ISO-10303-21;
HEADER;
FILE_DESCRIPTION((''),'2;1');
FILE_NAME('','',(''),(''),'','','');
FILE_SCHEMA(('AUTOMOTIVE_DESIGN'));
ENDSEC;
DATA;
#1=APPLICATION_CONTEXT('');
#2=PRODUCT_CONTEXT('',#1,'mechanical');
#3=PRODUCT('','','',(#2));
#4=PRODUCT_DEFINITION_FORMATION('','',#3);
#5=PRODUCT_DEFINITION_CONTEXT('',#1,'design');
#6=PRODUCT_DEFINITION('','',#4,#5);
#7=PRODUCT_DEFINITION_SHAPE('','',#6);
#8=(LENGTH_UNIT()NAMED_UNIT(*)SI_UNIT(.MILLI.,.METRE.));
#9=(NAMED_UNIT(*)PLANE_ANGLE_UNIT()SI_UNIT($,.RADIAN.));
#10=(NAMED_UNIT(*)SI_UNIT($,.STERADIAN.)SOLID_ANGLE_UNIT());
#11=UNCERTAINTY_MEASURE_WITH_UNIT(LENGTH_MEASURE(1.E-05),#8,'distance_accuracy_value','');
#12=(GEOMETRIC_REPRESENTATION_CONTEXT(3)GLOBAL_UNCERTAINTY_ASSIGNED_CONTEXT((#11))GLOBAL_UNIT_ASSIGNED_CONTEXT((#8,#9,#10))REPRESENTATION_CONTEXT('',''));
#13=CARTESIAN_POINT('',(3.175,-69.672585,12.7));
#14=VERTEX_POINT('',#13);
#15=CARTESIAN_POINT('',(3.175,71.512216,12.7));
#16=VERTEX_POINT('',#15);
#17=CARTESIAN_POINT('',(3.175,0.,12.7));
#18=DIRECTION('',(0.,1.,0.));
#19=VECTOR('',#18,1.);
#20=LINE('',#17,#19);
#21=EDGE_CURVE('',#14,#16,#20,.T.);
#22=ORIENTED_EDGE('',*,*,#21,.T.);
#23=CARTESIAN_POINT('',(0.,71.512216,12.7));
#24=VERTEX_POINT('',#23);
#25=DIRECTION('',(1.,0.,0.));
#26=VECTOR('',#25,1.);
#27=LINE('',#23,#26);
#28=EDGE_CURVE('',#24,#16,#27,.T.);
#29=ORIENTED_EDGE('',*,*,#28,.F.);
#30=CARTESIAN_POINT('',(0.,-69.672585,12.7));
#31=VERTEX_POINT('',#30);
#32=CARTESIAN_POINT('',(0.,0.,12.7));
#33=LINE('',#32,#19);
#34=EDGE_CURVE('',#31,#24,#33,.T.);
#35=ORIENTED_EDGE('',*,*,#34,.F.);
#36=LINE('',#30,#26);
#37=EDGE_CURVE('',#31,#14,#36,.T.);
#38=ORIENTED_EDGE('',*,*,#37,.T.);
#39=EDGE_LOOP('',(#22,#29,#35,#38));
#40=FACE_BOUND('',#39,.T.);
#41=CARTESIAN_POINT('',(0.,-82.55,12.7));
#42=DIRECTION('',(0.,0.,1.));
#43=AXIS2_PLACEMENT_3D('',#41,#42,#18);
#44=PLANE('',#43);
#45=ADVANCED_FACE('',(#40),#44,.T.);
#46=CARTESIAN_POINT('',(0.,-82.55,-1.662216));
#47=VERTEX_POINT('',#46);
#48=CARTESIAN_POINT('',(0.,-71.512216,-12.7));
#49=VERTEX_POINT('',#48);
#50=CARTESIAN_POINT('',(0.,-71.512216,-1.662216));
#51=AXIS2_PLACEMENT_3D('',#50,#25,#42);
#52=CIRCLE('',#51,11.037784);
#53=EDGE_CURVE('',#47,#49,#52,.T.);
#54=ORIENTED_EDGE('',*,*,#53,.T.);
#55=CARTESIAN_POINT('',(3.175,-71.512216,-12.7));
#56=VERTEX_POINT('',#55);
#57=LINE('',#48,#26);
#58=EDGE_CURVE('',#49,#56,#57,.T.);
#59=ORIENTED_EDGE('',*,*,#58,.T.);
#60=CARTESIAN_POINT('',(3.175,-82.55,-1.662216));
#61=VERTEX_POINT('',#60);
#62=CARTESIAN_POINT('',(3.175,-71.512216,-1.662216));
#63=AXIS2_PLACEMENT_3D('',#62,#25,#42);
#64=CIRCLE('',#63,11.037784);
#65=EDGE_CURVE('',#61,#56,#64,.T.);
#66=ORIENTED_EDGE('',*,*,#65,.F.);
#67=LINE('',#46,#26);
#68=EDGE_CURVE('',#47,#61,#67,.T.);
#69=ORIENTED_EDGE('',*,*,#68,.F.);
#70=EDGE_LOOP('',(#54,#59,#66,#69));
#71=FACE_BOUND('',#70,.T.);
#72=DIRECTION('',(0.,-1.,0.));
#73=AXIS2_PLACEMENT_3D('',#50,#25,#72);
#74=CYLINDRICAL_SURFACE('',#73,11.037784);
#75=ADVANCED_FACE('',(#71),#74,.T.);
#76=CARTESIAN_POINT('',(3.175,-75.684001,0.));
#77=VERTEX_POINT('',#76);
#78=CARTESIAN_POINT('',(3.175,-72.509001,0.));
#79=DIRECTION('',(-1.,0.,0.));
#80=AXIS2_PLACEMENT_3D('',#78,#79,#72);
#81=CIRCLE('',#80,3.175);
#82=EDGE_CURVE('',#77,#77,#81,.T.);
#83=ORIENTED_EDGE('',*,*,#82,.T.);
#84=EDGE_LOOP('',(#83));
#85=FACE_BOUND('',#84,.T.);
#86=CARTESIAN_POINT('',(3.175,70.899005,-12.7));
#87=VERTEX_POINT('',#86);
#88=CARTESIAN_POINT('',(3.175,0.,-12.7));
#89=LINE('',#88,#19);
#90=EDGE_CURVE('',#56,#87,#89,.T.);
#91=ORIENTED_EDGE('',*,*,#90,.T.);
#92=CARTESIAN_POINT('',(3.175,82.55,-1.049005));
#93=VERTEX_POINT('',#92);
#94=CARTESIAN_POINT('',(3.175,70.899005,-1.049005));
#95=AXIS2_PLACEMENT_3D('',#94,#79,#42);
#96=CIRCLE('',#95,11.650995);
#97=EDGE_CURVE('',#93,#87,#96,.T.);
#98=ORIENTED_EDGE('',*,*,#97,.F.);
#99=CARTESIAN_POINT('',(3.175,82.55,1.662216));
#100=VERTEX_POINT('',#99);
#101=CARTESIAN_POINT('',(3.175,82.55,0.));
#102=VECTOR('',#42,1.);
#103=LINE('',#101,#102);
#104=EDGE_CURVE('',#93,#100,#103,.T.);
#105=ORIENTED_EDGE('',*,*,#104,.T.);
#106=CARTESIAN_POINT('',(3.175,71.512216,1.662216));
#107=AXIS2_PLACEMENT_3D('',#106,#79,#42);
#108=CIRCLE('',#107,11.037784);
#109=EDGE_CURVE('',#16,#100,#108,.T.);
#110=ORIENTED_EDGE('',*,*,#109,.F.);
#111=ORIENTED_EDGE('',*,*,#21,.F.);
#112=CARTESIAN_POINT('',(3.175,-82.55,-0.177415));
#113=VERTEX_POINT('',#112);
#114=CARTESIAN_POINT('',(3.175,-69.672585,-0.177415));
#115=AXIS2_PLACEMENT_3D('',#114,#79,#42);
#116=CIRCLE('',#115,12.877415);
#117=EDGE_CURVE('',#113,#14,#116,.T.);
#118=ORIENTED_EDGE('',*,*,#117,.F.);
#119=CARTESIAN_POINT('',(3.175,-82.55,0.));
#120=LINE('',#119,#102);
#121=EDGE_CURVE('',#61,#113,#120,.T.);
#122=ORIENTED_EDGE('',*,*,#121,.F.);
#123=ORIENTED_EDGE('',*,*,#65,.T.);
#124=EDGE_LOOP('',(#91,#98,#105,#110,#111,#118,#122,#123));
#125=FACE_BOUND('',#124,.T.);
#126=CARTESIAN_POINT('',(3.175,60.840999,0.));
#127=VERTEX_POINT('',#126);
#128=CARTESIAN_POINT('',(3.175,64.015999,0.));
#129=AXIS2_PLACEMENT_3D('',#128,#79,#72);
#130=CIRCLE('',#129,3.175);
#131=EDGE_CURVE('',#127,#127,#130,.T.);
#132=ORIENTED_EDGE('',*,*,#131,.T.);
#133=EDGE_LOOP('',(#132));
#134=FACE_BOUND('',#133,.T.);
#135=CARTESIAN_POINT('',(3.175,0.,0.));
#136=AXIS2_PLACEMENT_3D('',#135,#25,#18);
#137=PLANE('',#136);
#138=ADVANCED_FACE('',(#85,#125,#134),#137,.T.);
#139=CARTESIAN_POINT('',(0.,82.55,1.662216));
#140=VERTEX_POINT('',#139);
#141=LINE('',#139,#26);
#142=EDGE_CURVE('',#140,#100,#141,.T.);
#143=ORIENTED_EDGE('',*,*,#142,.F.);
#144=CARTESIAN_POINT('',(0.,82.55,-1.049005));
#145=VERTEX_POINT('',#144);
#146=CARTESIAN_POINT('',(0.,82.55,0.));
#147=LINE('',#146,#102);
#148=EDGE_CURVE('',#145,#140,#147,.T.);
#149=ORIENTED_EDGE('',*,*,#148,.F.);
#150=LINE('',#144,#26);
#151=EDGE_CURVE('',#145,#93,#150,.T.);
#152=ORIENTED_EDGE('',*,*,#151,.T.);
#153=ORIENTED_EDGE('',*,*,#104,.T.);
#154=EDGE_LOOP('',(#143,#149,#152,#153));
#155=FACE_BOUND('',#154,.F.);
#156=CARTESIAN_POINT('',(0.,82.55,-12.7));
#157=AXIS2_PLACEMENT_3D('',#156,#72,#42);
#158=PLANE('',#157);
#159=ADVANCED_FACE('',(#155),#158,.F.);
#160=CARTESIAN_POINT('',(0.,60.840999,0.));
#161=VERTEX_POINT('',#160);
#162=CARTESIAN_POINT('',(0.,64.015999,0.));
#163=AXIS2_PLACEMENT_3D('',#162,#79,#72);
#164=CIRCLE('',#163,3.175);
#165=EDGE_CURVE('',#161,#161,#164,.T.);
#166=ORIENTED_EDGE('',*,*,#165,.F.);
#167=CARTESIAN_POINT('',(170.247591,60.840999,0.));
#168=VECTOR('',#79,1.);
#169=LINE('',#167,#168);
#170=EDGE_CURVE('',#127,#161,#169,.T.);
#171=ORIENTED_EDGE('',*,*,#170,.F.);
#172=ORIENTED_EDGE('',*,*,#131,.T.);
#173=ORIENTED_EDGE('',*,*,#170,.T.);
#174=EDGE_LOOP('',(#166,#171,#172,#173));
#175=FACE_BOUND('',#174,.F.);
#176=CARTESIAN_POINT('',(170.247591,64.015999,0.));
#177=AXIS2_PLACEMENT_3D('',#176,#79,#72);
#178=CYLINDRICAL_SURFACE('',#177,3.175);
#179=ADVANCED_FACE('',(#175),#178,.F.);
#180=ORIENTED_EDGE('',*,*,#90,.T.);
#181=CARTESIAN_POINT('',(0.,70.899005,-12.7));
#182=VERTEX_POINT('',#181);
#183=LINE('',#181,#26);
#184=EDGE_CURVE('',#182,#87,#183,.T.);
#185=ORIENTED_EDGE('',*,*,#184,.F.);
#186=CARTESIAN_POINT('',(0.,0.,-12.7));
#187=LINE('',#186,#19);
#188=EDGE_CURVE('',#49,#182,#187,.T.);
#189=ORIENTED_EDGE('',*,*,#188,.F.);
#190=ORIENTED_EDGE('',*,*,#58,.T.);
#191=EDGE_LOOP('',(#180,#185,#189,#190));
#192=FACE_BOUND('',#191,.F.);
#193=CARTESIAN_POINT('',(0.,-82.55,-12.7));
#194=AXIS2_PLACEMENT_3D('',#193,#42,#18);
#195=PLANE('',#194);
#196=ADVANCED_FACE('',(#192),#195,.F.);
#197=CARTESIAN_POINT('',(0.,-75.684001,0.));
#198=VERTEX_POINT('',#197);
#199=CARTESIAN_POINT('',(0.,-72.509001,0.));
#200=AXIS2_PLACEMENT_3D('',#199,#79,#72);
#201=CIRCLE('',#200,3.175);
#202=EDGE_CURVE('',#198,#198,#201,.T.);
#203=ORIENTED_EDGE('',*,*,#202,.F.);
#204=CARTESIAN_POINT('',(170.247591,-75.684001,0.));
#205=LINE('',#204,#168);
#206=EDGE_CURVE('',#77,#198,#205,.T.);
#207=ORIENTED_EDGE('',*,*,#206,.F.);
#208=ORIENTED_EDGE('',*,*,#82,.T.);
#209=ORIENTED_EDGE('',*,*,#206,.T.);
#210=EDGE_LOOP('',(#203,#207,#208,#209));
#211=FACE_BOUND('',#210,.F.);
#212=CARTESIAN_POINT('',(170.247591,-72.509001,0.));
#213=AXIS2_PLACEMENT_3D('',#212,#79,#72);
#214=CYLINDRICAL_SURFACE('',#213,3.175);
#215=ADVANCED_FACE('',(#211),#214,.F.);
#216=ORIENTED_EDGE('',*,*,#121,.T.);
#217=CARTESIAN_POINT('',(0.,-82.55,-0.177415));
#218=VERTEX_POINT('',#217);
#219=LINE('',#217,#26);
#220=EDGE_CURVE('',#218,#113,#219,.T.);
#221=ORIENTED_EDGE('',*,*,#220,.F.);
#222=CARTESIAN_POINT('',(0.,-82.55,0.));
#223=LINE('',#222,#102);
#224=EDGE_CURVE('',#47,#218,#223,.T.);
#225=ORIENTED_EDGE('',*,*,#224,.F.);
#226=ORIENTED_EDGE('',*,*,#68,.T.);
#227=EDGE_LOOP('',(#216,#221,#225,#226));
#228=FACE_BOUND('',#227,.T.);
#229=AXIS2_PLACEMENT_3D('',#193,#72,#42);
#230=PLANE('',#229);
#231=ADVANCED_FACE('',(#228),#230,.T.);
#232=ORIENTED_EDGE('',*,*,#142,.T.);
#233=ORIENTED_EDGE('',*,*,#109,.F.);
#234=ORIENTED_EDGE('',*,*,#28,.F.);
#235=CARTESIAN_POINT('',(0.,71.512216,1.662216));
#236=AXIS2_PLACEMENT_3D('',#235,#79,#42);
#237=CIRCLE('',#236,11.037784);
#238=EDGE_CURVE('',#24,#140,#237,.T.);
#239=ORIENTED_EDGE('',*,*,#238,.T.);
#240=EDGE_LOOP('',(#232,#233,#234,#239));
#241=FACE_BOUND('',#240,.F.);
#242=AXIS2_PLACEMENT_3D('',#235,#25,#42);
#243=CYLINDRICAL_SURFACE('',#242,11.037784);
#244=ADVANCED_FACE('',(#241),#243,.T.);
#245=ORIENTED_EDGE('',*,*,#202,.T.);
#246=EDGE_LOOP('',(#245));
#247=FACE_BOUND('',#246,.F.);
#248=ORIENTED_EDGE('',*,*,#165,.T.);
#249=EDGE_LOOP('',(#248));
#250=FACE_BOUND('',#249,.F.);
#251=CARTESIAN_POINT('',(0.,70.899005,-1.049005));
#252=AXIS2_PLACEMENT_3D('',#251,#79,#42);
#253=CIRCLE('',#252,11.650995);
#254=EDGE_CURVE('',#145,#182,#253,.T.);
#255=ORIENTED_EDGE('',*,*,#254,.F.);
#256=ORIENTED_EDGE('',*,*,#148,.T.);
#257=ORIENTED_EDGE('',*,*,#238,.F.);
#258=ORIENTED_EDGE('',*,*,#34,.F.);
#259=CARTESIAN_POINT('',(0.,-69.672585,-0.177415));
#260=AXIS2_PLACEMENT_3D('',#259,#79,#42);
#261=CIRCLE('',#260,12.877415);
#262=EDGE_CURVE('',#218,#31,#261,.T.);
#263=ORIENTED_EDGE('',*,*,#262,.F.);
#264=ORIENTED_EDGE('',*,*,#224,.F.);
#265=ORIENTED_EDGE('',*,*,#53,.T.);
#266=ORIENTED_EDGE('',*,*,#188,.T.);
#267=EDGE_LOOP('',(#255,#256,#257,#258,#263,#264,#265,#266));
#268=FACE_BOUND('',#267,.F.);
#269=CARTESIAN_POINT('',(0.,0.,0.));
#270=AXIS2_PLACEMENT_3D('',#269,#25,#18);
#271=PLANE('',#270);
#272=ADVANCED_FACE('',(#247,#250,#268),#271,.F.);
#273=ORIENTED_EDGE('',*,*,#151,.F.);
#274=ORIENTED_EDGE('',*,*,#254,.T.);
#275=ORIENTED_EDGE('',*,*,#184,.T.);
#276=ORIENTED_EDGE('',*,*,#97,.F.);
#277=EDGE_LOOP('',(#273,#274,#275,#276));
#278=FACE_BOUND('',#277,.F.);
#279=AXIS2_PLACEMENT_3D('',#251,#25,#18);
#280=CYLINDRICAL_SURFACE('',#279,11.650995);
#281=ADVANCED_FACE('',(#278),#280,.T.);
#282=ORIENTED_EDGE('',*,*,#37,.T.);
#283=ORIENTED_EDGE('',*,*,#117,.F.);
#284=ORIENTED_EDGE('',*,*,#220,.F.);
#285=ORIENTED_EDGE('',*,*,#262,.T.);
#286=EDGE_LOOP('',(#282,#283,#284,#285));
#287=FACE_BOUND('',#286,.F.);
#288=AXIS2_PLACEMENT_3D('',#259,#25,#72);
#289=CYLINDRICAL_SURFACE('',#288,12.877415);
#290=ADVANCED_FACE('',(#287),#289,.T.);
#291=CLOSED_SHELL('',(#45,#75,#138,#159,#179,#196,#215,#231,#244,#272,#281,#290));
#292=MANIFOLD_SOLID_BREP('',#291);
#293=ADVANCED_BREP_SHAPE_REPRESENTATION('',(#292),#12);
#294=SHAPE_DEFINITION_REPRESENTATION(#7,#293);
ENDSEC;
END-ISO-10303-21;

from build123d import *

# Parameters (mm, degrees)
F0_W     = 165.1
F0_H     = 25.4
F1_DEPTH = 3.175
F2_R     = 12.877415
F3_R     = 11.037784
F4_R     = 11.037784
F5_R     = 11.650995
F7_D     = 6.35


with BuildPart() as f1:
    # F0 (on Right) → F1 (new body)
    with BuildSketch(Plane.YZ):
        Rectangle(F0_W, F0_H)
    extrude(amount=F1_DEPTH)

    # F2
    f2_edges = [f1.edges().sort_by_distance(p)[0] for p in [
        (1.5875, -82.55, 12.7),
    ]]
    fillet(f2_edges, radius=F2_R)

    # F3
    f3_edges = [f1.edges().sort_by_distance(p)[0] for p in [
        (1.5875, -82.55, -12.7),
    ]]
    fillet(f3_edges, radius=F3_R)

    # F4
    f4_edges = [f1.edges().sort_by_distance(p)[0] for p in [
        (1.5875, 82.55, 12.7),
    ]]
    fillet(f4_edges, radius=F4_R)

    # F5
    f5_edges = [f1.edges().sort_by_distance(p)[0] for p in [
        (1.5875, 82.55, -12.7),
    ]]
    fillet(f5_edges, radius=F5_R)

    # F7 (through all)
    with Locations(Plane.YZ.offset(3.175)):
        with Locations((-72.509001, 0), (64.015999, 0)):
            Hole(F7_D / 2)


solid = f1.part
